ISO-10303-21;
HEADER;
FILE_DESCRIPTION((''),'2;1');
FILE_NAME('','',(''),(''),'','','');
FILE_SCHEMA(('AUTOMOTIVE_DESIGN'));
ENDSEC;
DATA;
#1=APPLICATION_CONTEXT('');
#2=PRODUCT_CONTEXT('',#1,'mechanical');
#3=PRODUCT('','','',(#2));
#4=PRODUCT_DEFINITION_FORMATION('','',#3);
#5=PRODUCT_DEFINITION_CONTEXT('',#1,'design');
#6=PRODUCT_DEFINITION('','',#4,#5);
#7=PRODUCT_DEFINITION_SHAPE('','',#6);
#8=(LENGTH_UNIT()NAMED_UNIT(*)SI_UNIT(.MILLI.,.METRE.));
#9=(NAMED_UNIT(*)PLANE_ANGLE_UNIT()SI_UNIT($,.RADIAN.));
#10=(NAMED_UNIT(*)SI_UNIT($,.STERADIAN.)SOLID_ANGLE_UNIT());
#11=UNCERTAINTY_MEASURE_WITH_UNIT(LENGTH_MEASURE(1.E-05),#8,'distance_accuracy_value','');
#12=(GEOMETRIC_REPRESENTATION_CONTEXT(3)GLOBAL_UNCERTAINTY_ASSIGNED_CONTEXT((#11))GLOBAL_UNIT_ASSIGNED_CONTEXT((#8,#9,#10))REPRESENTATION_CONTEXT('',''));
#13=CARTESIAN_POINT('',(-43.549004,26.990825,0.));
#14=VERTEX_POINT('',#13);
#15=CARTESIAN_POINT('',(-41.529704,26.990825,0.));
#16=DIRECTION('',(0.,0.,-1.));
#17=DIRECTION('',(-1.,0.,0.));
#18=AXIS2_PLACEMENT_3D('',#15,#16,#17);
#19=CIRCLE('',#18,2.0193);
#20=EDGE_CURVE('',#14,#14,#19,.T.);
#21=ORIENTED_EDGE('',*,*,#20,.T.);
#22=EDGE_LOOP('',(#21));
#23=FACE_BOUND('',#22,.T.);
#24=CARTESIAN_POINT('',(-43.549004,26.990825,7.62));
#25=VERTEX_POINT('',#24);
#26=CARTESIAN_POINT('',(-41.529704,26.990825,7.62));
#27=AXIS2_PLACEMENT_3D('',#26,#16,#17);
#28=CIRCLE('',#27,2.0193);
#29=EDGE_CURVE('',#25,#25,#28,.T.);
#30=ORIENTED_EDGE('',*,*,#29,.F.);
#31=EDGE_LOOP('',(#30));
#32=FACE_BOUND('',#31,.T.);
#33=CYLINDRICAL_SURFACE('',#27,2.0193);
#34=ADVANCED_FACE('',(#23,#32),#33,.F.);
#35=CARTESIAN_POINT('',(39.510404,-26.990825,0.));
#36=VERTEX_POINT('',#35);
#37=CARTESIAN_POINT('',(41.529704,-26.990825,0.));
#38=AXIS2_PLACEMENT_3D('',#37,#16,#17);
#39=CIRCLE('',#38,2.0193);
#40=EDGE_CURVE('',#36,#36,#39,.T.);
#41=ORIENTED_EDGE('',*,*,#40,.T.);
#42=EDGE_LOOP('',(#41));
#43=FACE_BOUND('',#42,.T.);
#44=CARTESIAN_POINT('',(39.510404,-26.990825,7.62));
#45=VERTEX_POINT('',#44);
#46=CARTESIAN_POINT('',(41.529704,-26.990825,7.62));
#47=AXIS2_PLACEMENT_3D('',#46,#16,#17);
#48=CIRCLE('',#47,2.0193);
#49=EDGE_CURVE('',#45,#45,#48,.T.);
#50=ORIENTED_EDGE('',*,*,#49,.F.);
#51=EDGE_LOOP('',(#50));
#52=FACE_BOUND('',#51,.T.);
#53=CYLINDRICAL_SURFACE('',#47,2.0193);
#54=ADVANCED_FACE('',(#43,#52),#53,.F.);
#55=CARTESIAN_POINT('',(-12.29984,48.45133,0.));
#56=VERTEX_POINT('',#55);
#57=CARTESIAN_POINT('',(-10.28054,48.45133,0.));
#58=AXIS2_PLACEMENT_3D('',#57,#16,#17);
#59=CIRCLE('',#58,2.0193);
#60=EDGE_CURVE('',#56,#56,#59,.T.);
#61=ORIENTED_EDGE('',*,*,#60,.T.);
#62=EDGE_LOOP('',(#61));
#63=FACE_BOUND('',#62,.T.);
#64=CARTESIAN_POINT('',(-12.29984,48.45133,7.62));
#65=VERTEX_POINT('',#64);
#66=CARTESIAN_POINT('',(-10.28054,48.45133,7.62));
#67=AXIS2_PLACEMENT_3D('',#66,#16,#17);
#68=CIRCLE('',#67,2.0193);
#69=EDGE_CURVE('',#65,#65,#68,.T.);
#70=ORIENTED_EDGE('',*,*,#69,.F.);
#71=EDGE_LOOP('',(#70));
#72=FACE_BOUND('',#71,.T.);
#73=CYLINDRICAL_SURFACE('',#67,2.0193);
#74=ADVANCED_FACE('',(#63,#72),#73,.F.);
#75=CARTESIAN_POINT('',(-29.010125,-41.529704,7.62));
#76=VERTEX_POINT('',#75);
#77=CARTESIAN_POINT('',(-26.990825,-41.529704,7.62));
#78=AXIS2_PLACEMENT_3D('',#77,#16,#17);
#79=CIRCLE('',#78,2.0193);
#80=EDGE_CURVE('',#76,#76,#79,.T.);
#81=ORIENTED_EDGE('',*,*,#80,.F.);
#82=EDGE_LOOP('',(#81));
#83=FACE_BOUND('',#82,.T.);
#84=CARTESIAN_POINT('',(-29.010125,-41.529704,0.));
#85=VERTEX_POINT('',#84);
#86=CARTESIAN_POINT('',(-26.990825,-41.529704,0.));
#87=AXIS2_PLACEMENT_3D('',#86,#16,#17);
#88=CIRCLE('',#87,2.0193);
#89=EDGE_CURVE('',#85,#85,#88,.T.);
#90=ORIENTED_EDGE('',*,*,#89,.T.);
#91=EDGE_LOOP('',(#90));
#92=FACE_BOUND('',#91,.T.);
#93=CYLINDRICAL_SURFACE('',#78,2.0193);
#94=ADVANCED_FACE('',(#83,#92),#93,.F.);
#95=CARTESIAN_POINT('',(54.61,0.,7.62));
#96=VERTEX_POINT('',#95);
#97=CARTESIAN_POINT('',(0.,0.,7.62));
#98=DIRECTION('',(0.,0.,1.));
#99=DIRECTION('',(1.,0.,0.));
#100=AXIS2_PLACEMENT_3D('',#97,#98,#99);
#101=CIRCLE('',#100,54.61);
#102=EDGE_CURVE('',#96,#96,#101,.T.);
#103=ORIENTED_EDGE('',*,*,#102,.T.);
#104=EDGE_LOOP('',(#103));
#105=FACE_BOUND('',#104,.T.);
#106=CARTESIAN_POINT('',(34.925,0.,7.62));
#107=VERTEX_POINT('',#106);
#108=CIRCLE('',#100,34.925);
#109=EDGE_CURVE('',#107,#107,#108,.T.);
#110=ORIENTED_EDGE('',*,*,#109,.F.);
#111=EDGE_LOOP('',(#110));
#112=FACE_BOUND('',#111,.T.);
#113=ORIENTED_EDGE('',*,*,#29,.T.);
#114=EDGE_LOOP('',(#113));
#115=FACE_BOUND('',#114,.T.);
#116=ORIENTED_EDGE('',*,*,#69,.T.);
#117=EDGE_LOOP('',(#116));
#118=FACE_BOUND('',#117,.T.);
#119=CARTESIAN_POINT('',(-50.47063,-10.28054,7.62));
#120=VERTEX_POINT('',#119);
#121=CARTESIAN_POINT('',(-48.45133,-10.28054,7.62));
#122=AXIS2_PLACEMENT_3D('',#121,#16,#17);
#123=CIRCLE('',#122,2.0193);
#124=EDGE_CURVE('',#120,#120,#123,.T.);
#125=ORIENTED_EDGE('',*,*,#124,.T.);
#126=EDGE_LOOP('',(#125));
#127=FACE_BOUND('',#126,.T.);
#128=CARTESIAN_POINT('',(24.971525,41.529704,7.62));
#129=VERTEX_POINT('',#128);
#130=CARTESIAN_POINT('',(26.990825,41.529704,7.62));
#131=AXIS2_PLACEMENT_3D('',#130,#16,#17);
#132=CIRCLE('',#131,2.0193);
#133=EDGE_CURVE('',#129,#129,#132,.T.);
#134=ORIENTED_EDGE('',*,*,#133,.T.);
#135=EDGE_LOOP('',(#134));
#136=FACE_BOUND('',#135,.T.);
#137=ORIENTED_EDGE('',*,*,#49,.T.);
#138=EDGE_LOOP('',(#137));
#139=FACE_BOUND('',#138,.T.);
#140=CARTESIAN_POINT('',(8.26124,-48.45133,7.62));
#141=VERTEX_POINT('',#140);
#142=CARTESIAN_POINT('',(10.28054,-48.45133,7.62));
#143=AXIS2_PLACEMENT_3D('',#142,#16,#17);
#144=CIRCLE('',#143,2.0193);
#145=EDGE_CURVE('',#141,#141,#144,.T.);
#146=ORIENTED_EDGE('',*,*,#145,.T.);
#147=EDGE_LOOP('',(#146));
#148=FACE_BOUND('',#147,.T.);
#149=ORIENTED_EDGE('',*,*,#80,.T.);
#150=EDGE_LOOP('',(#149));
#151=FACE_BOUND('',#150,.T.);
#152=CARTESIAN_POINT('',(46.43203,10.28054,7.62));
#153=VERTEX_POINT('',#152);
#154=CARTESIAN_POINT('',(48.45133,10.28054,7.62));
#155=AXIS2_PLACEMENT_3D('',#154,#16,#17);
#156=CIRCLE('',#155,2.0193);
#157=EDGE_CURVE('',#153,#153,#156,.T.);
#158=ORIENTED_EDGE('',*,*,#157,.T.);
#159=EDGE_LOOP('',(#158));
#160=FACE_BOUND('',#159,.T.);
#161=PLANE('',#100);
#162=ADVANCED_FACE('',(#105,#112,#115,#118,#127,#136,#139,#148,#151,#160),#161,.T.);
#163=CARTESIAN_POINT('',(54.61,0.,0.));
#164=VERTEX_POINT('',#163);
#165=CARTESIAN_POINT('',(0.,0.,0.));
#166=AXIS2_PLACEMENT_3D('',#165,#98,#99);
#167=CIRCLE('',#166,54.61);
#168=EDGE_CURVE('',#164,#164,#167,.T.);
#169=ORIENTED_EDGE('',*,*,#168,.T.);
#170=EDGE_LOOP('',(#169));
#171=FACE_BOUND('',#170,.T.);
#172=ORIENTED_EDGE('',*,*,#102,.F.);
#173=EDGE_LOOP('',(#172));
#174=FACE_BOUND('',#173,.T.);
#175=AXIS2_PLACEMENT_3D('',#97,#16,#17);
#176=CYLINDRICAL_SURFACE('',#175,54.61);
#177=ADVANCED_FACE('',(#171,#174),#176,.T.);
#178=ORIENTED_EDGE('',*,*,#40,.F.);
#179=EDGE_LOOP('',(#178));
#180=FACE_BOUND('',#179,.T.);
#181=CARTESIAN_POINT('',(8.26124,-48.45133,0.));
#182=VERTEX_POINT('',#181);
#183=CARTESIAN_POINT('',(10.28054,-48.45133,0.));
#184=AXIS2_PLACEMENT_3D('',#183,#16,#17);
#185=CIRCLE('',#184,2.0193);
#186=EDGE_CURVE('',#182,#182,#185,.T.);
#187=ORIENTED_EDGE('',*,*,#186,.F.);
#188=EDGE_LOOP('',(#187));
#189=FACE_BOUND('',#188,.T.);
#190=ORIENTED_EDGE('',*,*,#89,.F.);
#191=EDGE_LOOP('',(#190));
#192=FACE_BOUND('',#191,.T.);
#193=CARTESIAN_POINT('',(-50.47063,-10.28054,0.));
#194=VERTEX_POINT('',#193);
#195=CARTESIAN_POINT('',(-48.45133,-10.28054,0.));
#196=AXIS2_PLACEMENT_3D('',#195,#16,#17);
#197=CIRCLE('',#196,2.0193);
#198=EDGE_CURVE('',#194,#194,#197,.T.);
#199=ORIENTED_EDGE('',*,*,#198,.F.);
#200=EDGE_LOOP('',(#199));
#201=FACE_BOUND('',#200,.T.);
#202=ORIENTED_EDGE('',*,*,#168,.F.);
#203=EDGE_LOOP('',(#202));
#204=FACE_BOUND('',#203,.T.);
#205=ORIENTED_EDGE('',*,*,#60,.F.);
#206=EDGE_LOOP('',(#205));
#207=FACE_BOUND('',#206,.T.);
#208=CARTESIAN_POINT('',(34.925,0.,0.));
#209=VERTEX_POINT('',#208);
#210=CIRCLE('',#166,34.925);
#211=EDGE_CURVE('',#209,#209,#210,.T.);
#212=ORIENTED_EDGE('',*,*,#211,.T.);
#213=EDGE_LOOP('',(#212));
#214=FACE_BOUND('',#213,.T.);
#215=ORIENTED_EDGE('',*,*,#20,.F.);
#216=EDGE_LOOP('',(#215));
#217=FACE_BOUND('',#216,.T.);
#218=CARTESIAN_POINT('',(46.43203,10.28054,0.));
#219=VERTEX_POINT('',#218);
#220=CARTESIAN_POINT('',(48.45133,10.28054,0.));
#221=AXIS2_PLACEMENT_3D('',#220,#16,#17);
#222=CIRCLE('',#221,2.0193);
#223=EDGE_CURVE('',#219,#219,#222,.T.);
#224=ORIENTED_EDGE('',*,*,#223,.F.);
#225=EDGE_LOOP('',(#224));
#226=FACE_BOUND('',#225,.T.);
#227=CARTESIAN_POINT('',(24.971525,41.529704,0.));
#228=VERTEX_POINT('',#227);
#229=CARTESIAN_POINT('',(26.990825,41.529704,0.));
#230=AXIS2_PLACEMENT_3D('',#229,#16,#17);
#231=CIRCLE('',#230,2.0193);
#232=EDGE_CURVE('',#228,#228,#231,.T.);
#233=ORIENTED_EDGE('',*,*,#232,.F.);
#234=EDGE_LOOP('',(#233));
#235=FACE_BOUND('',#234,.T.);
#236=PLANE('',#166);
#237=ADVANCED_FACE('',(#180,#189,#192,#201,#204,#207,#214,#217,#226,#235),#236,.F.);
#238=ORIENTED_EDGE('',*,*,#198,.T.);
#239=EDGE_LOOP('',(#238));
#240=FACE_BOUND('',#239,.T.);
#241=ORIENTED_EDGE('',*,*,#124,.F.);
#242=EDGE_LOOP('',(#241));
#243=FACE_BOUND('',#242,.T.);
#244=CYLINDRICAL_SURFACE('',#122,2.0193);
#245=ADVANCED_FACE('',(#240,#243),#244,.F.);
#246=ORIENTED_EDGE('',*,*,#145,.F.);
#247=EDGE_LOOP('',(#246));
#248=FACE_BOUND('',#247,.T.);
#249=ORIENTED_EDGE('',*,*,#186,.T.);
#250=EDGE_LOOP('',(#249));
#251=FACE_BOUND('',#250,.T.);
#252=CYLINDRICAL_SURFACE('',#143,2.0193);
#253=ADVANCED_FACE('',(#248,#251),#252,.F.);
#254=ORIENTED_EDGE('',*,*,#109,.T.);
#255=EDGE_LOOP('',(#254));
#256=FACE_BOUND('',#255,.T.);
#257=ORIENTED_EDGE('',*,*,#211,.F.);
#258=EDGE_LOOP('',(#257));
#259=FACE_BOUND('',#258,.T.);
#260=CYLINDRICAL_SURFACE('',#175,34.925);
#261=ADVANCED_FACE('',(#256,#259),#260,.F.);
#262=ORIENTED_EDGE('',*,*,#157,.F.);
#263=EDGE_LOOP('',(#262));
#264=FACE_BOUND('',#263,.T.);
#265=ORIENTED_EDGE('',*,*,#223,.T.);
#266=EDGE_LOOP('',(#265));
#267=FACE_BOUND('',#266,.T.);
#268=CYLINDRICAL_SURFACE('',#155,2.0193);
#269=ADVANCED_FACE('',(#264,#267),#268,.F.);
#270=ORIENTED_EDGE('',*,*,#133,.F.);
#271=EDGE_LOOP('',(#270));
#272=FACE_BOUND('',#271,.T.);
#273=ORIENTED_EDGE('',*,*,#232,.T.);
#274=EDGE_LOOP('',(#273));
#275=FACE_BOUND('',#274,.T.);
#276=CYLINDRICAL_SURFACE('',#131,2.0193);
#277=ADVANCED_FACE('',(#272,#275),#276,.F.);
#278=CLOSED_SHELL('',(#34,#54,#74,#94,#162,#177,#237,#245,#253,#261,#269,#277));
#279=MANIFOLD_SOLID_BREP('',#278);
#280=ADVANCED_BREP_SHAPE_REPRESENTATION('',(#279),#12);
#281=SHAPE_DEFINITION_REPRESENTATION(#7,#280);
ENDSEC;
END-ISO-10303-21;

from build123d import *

# Parameters (mm, degrees)
SKETCH1_R           = 54.61
SKETCH1_R_2         = 34.925
BOSS_EXTRUDE1_DEPTH = 7.62
SKETCH3_R           = 2.0193
CUT_EXTRUDE1_DEPTH  = 8.62


with BuildPart() as part:
    # Sketch1 → Boss-Extrude1 (new body)
    with BuildSketch(Plane.XY):
        Circle(SKETCH1_R)
        Circle(SKETCH1_R_2, mode=Mode.SUBTRACT)
    extrude(amount=BOSS_EXTRUDE1_DEPTH)

    # Sketch3 → Cut-Extrude1 (cut, through all)
    with BuildSketch(Plane(origin=(0, 0, 0), x_dir=(-1, 0, 0), z_dir=(0, 0, -1))):
        with Locations((41.529703671, 26.990824607)):
            Circle(SKETCH3_R)
        with Locations((10.280539977, 48.451330196)):
            Circle(SKETCH3_R)
        with Locations((-26.990824607, 41.529703671)):
            Circle(SKETCH3_R)
        with Locations((-48.451330196, 10.280539977)):
            Circle(SKETCH3_R)
        with Locations((-41.529703671, -26.990824607)):
            Circle(SKETCH3_R)
        with Locations((-10.280539977, -48.451330196)):
            Circle(SKETCH3_R)
        with Locations((26.990824607, -41.529703671)):
            Circle(SKETCH3_R)
        with Locations((48.451330196, -10.280539977)):
            Circle(SKETCH3_R)
    extrude(amount=-CUT_EXTRUDE1_DEPTH, mode=Mode.SUBTRACT)


solid = part.part
